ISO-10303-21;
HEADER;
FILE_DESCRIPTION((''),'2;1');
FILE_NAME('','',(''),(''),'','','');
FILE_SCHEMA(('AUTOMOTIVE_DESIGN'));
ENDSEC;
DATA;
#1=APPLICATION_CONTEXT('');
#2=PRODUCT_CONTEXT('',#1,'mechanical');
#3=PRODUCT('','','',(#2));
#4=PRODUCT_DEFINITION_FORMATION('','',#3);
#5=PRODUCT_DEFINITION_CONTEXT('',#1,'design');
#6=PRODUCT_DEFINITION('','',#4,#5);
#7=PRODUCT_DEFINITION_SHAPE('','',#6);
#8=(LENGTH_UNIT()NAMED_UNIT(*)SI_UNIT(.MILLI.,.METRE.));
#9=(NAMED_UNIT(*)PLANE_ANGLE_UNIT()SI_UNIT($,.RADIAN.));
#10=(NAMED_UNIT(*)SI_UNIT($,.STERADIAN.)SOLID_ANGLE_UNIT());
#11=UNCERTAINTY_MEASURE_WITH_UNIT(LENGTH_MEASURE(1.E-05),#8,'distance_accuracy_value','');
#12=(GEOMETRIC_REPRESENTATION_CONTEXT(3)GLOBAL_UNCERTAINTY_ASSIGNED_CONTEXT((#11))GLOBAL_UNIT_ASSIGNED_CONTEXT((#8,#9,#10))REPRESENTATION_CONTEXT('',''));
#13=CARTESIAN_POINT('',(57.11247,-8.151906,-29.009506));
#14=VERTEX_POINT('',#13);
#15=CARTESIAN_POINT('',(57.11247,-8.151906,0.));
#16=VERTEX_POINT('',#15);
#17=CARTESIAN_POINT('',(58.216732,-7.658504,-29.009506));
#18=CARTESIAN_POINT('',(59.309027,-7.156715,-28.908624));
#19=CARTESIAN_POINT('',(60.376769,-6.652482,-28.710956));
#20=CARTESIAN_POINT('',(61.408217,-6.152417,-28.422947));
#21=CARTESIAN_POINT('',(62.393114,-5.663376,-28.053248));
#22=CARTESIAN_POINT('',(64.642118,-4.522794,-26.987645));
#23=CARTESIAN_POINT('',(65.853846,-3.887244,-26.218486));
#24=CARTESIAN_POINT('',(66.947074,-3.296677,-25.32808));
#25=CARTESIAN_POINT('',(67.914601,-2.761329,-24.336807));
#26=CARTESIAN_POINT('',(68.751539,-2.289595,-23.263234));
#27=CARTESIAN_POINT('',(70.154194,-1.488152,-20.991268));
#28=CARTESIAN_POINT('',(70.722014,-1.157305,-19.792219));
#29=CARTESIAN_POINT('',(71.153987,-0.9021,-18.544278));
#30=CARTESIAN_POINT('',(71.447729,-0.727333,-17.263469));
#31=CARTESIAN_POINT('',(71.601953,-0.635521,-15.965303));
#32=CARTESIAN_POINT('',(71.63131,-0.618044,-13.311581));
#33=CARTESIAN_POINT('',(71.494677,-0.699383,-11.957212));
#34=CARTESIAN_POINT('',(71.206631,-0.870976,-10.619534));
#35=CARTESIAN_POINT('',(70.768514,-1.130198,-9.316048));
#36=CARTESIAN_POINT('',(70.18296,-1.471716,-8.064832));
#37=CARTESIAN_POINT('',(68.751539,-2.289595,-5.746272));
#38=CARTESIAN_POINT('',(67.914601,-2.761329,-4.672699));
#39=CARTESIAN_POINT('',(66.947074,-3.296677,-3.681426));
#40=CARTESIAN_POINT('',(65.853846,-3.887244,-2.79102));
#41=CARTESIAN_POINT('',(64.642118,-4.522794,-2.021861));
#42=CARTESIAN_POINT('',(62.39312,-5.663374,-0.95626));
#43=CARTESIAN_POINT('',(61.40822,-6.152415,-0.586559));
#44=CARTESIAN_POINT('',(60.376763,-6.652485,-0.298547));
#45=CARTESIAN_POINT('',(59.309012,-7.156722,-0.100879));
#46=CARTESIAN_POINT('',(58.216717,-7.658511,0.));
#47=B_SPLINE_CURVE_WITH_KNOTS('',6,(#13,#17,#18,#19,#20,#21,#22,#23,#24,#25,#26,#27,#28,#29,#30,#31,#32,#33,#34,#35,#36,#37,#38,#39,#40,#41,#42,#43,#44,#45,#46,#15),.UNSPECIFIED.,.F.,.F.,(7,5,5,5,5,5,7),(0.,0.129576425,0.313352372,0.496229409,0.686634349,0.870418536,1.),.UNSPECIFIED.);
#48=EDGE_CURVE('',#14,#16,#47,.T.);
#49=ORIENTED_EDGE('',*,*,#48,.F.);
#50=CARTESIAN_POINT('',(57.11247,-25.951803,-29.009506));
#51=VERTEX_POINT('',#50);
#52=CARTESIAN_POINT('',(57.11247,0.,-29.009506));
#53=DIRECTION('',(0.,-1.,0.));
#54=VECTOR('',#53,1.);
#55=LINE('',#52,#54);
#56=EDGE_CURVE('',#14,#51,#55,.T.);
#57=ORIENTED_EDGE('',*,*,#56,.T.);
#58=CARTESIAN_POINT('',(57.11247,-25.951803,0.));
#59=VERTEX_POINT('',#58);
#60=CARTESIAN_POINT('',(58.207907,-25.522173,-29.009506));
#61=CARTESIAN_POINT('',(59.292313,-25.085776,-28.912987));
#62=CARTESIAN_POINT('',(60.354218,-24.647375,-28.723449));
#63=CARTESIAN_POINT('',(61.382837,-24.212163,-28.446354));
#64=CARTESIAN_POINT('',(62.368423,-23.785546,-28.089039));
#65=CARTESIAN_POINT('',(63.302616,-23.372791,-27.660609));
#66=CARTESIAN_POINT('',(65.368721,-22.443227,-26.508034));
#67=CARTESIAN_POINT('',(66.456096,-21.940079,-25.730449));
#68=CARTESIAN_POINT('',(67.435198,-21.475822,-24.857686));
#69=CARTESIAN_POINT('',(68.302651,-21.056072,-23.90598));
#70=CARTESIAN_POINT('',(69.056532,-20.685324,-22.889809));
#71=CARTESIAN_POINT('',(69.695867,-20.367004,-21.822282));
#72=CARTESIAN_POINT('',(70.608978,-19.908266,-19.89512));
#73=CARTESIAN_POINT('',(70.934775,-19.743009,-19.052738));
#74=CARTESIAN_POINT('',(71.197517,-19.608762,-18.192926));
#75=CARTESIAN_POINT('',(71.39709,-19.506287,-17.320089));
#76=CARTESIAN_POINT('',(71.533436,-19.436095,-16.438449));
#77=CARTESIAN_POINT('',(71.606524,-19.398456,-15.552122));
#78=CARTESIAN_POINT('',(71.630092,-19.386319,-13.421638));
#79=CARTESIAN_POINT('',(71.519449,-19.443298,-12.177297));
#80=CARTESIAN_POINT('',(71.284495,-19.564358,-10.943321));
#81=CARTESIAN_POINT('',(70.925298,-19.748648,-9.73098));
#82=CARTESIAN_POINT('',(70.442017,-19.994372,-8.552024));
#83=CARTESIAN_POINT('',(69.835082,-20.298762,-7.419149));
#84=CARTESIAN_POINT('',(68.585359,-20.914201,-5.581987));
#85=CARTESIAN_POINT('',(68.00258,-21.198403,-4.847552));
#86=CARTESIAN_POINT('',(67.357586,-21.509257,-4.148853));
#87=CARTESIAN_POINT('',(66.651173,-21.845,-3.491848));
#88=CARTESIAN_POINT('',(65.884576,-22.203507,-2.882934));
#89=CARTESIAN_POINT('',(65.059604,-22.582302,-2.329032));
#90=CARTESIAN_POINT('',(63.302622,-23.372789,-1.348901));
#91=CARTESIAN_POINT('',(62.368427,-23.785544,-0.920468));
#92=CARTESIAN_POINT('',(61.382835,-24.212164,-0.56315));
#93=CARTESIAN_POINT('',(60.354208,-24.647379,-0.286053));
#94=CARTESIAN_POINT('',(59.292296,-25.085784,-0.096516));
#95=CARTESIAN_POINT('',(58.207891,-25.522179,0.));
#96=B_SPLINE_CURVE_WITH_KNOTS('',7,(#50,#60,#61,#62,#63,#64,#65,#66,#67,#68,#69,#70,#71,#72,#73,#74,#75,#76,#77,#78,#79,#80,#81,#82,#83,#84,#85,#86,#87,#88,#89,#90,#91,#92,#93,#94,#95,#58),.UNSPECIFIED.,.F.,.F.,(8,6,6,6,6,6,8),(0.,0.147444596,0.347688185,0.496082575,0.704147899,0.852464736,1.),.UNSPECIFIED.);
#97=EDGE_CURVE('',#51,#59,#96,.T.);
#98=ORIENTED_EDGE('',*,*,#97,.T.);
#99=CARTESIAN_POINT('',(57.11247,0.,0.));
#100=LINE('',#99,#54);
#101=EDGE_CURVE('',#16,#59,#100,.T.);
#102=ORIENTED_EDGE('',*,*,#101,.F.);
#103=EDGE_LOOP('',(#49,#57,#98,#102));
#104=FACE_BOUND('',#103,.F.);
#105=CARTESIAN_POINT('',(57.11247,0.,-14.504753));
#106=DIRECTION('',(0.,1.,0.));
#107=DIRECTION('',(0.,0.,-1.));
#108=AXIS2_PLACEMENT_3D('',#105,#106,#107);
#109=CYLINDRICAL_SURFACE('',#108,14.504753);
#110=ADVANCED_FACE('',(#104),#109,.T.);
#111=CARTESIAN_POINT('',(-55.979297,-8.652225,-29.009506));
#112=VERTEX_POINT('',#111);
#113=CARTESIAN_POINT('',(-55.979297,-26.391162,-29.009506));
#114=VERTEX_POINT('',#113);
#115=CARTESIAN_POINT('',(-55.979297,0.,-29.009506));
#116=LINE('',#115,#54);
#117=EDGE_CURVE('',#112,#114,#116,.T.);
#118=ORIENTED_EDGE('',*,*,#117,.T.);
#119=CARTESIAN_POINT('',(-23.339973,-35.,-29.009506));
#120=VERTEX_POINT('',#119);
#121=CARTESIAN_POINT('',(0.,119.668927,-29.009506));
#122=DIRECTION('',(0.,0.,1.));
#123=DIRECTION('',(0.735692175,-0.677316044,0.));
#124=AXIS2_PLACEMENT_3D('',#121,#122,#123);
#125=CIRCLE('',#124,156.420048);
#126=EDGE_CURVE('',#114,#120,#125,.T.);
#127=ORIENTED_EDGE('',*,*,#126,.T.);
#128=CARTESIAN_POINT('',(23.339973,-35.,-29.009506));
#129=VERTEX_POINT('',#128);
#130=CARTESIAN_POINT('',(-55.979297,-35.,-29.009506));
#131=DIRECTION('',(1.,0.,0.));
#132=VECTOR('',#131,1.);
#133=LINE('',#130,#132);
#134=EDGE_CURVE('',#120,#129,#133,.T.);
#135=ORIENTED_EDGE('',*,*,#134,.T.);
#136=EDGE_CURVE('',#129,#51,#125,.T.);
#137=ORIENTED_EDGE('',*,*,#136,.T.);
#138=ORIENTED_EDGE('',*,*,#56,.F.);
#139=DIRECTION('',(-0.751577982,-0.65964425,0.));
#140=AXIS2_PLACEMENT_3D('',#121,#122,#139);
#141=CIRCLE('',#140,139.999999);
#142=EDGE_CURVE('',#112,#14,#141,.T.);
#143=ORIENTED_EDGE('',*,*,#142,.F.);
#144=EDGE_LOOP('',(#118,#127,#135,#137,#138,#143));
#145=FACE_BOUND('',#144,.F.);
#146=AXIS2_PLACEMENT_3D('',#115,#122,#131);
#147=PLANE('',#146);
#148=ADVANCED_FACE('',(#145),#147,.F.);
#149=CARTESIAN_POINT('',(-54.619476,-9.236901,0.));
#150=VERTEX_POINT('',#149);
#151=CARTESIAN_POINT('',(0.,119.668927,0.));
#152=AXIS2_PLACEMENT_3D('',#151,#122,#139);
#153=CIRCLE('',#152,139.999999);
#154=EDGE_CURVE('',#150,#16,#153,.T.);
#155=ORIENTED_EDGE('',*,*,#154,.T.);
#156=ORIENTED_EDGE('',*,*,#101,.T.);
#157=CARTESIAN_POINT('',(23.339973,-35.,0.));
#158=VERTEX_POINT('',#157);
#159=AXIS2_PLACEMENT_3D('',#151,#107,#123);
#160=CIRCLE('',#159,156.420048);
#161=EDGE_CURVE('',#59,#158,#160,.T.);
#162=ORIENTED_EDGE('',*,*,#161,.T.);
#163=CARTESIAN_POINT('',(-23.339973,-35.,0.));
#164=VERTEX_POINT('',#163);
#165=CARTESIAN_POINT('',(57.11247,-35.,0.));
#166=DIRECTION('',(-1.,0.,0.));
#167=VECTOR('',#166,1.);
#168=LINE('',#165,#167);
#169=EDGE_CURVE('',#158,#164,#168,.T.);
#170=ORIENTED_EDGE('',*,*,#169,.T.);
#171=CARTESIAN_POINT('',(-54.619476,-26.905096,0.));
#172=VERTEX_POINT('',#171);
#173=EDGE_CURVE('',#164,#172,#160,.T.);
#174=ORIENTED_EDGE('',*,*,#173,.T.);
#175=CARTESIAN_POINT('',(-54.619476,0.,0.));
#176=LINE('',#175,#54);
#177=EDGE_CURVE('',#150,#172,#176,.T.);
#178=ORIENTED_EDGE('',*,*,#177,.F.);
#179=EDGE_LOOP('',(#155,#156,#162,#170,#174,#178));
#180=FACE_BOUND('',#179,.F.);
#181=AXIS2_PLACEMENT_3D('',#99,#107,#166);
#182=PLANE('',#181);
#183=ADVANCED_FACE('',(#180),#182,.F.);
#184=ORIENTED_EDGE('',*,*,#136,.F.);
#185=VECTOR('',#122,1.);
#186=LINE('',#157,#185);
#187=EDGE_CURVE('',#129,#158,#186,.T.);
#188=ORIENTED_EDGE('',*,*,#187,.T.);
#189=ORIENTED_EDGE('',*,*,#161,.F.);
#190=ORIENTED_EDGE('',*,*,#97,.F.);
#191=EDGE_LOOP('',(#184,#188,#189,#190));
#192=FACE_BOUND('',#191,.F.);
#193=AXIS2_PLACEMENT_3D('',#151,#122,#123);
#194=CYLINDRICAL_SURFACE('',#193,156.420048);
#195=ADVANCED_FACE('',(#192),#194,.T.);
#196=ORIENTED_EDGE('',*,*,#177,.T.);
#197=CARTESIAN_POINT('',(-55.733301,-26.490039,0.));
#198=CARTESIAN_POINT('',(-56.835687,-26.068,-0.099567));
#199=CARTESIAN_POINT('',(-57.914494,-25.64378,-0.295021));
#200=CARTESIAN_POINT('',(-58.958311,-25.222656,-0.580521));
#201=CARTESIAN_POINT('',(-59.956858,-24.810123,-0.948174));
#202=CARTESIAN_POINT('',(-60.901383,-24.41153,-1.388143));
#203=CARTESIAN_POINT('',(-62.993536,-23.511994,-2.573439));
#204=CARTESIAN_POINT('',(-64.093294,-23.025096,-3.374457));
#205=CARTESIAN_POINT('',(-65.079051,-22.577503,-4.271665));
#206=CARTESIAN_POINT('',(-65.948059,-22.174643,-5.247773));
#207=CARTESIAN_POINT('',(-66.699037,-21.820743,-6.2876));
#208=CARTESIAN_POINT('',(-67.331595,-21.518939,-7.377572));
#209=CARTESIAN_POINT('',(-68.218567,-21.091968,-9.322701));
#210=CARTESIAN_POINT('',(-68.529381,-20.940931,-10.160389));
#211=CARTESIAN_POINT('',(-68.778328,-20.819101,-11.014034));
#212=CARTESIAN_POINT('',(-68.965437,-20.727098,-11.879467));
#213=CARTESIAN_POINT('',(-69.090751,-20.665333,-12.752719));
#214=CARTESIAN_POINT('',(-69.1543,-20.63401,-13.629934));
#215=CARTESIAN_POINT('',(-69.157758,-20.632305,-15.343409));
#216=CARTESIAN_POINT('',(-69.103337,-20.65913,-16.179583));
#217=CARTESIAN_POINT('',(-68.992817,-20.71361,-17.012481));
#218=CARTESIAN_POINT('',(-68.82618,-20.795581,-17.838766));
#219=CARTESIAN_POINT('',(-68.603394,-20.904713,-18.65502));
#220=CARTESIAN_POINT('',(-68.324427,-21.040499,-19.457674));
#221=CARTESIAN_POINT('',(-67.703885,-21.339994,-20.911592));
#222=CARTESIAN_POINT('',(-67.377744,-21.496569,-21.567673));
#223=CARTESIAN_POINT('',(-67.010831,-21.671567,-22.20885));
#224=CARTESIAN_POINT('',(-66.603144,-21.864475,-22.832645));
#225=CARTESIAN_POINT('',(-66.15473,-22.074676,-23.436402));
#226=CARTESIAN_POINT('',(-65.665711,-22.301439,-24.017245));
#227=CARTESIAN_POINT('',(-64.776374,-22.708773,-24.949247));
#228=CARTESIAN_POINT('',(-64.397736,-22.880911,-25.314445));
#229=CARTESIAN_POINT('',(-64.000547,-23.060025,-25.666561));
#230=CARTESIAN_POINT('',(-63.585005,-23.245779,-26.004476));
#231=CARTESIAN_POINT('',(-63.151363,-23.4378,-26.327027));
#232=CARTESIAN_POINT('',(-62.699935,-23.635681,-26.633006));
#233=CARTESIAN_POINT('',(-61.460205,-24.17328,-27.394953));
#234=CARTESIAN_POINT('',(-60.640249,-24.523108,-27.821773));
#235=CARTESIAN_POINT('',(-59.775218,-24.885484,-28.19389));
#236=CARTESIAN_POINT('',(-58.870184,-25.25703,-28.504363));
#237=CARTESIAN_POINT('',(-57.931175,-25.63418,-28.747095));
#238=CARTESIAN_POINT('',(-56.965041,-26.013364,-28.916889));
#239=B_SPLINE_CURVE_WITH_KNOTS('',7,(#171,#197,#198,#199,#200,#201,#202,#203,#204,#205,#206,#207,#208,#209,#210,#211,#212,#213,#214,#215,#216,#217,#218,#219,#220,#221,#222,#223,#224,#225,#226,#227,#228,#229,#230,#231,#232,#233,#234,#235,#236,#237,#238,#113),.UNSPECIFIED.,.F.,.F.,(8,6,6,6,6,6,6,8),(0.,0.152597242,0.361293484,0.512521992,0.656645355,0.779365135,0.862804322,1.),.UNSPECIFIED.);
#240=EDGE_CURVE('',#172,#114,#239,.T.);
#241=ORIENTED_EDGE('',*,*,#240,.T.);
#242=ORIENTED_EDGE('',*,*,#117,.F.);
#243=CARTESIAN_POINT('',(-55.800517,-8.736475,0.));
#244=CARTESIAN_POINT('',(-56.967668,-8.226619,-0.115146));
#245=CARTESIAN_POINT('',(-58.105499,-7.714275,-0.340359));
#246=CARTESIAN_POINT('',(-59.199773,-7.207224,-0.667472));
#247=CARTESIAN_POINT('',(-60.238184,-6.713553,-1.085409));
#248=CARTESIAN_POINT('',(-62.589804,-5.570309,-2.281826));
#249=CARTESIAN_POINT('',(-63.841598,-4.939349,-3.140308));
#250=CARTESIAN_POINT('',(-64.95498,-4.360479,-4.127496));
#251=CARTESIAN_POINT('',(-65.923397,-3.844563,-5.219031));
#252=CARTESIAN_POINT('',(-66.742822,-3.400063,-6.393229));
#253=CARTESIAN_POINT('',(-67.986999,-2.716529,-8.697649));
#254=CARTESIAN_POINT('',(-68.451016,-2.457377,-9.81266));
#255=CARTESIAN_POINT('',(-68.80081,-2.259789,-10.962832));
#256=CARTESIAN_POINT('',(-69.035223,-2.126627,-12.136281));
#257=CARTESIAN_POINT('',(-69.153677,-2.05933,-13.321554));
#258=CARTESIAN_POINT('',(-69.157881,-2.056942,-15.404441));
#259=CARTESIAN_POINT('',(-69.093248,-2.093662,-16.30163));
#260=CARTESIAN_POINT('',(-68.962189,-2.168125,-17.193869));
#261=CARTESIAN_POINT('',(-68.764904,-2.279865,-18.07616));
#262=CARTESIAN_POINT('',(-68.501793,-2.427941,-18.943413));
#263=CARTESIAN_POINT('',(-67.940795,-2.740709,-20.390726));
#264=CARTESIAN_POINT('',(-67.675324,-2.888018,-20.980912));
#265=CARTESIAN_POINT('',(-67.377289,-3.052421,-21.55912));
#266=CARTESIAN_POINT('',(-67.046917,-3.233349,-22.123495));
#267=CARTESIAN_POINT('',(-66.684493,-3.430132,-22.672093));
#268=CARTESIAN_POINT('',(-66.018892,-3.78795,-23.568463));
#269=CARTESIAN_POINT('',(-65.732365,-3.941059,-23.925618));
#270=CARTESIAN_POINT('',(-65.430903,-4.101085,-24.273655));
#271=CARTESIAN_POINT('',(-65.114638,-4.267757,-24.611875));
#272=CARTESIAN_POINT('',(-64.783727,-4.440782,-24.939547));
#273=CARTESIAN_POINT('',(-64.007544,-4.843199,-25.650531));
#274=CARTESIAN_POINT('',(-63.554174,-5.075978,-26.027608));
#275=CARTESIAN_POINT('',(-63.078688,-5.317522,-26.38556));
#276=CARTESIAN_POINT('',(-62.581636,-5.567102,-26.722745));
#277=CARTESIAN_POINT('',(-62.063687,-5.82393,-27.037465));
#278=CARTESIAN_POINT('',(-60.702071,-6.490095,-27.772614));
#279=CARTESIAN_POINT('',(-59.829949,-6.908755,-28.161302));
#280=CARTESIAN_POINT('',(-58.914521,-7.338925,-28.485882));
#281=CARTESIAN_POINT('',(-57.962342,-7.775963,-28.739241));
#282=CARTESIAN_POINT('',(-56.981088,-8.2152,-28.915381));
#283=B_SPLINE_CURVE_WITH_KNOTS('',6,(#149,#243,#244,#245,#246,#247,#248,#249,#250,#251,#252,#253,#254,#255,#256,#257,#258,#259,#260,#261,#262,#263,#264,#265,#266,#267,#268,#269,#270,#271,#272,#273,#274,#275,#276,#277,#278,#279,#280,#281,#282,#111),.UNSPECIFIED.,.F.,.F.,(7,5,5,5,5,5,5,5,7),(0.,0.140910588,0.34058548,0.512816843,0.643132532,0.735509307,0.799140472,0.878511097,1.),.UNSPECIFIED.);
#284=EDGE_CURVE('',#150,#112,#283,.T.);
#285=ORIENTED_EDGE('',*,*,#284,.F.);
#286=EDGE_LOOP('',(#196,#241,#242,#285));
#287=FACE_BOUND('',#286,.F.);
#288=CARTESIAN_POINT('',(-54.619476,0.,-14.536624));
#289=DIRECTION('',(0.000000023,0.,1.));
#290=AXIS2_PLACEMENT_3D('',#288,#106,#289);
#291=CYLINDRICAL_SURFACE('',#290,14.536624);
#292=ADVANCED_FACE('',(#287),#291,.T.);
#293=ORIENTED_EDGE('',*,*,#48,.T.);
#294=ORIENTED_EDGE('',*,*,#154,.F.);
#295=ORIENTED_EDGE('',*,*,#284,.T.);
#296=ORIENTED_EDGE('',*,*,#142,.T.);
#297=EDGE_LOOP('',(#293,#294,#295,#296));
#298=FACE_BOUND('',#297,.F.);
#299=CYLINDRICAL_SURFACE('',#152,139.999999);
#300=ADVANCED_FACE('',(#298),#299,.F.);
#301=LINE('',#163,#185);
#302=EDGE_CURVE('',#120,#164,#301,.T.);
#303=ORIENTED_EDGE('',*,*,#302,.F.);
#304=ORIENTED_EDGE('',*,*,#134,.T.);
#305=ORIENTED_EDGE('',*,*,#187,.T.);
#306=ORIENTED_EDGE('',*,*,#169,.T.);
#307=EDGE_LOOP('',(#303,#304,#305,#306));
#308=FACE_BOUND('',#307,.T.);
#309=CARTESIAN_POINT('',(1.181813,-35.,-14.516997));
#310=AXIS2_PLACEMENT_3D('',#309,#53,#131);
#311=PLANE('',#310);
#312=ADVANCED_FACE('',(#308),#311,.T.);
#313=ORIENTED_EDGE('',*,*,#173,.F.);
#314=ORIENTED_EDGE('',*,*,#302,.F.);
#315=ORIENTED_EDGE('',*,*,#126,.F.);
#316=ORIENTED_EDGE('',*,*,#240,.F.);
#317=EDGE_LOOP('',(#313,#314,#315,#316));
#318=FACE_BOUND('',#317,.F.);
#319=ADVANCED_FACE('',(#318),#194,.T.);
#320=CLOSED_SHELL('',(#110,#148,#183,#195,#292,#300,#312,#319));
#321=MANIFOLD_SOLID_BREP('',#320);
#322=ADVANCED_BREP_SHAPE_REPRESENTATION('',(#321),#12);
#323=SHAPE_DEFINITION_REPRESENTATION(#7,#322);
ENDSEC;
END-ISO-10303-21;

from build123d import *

# Parameters (mm, degrees)
F1_DEPTH = 35
F3_DEPTH = 29.010506
F4_DEPTH = 29.010506


with BuildPart() as f1:
    # F0 (on Front) → F1 (new body)
    with BuildSketch(Plane.XZ):
        with BuildLine():
            Line((57.11247, 0), (-54.619476, 0))
            ThreePointArc((-54.619476, 0), (-69.140156, -13.855967), (-55.979297, -29.009506))
            Line((-55.979297, -29.009506), (57.11247, -29.009506))
            ThreePointArc((57.11247, -29.009506), (71.617223, -14.504753), (57.11247, 0))
        make_face()
    extrude(amount=F1_DEPTH)

    # F2 (on Top) → F3 (cut, through all)
    with BuildSketch(Plane.XY):
        with BuildLine():
            Line((102.996904, 24.844682), (-105.220917, 27.318733))
            ThreePointArc((-105.220917, 27.318733), (-1.663367, -20.32119), (102.996904, 24.844682))
        make_face()
    extrude(amount=-F3_DEPTH, mode=Mode.SUBTRACT)

    # F2 (on Top) → F4 (cut, through all)
    with BuildSketch(Plane.XY):
        with BuildLine():
            ThreePointArc((115.077005, 13.723119), (-1.858457, -36.74008), (-117.561864, 16.487342))
            Line((-117.561864, 16.487342), (-117.561864, -55.866256))
            Line((-117.561864, -55.866256), (118.521035, -63.760579))
            Line((118.521035, -63.760579), (115.077005, 13.723119))
        make_face()
    extrude(amount=-F4_DEPTH, mode=Mode.SUBTRACT)


solid = f1.part
